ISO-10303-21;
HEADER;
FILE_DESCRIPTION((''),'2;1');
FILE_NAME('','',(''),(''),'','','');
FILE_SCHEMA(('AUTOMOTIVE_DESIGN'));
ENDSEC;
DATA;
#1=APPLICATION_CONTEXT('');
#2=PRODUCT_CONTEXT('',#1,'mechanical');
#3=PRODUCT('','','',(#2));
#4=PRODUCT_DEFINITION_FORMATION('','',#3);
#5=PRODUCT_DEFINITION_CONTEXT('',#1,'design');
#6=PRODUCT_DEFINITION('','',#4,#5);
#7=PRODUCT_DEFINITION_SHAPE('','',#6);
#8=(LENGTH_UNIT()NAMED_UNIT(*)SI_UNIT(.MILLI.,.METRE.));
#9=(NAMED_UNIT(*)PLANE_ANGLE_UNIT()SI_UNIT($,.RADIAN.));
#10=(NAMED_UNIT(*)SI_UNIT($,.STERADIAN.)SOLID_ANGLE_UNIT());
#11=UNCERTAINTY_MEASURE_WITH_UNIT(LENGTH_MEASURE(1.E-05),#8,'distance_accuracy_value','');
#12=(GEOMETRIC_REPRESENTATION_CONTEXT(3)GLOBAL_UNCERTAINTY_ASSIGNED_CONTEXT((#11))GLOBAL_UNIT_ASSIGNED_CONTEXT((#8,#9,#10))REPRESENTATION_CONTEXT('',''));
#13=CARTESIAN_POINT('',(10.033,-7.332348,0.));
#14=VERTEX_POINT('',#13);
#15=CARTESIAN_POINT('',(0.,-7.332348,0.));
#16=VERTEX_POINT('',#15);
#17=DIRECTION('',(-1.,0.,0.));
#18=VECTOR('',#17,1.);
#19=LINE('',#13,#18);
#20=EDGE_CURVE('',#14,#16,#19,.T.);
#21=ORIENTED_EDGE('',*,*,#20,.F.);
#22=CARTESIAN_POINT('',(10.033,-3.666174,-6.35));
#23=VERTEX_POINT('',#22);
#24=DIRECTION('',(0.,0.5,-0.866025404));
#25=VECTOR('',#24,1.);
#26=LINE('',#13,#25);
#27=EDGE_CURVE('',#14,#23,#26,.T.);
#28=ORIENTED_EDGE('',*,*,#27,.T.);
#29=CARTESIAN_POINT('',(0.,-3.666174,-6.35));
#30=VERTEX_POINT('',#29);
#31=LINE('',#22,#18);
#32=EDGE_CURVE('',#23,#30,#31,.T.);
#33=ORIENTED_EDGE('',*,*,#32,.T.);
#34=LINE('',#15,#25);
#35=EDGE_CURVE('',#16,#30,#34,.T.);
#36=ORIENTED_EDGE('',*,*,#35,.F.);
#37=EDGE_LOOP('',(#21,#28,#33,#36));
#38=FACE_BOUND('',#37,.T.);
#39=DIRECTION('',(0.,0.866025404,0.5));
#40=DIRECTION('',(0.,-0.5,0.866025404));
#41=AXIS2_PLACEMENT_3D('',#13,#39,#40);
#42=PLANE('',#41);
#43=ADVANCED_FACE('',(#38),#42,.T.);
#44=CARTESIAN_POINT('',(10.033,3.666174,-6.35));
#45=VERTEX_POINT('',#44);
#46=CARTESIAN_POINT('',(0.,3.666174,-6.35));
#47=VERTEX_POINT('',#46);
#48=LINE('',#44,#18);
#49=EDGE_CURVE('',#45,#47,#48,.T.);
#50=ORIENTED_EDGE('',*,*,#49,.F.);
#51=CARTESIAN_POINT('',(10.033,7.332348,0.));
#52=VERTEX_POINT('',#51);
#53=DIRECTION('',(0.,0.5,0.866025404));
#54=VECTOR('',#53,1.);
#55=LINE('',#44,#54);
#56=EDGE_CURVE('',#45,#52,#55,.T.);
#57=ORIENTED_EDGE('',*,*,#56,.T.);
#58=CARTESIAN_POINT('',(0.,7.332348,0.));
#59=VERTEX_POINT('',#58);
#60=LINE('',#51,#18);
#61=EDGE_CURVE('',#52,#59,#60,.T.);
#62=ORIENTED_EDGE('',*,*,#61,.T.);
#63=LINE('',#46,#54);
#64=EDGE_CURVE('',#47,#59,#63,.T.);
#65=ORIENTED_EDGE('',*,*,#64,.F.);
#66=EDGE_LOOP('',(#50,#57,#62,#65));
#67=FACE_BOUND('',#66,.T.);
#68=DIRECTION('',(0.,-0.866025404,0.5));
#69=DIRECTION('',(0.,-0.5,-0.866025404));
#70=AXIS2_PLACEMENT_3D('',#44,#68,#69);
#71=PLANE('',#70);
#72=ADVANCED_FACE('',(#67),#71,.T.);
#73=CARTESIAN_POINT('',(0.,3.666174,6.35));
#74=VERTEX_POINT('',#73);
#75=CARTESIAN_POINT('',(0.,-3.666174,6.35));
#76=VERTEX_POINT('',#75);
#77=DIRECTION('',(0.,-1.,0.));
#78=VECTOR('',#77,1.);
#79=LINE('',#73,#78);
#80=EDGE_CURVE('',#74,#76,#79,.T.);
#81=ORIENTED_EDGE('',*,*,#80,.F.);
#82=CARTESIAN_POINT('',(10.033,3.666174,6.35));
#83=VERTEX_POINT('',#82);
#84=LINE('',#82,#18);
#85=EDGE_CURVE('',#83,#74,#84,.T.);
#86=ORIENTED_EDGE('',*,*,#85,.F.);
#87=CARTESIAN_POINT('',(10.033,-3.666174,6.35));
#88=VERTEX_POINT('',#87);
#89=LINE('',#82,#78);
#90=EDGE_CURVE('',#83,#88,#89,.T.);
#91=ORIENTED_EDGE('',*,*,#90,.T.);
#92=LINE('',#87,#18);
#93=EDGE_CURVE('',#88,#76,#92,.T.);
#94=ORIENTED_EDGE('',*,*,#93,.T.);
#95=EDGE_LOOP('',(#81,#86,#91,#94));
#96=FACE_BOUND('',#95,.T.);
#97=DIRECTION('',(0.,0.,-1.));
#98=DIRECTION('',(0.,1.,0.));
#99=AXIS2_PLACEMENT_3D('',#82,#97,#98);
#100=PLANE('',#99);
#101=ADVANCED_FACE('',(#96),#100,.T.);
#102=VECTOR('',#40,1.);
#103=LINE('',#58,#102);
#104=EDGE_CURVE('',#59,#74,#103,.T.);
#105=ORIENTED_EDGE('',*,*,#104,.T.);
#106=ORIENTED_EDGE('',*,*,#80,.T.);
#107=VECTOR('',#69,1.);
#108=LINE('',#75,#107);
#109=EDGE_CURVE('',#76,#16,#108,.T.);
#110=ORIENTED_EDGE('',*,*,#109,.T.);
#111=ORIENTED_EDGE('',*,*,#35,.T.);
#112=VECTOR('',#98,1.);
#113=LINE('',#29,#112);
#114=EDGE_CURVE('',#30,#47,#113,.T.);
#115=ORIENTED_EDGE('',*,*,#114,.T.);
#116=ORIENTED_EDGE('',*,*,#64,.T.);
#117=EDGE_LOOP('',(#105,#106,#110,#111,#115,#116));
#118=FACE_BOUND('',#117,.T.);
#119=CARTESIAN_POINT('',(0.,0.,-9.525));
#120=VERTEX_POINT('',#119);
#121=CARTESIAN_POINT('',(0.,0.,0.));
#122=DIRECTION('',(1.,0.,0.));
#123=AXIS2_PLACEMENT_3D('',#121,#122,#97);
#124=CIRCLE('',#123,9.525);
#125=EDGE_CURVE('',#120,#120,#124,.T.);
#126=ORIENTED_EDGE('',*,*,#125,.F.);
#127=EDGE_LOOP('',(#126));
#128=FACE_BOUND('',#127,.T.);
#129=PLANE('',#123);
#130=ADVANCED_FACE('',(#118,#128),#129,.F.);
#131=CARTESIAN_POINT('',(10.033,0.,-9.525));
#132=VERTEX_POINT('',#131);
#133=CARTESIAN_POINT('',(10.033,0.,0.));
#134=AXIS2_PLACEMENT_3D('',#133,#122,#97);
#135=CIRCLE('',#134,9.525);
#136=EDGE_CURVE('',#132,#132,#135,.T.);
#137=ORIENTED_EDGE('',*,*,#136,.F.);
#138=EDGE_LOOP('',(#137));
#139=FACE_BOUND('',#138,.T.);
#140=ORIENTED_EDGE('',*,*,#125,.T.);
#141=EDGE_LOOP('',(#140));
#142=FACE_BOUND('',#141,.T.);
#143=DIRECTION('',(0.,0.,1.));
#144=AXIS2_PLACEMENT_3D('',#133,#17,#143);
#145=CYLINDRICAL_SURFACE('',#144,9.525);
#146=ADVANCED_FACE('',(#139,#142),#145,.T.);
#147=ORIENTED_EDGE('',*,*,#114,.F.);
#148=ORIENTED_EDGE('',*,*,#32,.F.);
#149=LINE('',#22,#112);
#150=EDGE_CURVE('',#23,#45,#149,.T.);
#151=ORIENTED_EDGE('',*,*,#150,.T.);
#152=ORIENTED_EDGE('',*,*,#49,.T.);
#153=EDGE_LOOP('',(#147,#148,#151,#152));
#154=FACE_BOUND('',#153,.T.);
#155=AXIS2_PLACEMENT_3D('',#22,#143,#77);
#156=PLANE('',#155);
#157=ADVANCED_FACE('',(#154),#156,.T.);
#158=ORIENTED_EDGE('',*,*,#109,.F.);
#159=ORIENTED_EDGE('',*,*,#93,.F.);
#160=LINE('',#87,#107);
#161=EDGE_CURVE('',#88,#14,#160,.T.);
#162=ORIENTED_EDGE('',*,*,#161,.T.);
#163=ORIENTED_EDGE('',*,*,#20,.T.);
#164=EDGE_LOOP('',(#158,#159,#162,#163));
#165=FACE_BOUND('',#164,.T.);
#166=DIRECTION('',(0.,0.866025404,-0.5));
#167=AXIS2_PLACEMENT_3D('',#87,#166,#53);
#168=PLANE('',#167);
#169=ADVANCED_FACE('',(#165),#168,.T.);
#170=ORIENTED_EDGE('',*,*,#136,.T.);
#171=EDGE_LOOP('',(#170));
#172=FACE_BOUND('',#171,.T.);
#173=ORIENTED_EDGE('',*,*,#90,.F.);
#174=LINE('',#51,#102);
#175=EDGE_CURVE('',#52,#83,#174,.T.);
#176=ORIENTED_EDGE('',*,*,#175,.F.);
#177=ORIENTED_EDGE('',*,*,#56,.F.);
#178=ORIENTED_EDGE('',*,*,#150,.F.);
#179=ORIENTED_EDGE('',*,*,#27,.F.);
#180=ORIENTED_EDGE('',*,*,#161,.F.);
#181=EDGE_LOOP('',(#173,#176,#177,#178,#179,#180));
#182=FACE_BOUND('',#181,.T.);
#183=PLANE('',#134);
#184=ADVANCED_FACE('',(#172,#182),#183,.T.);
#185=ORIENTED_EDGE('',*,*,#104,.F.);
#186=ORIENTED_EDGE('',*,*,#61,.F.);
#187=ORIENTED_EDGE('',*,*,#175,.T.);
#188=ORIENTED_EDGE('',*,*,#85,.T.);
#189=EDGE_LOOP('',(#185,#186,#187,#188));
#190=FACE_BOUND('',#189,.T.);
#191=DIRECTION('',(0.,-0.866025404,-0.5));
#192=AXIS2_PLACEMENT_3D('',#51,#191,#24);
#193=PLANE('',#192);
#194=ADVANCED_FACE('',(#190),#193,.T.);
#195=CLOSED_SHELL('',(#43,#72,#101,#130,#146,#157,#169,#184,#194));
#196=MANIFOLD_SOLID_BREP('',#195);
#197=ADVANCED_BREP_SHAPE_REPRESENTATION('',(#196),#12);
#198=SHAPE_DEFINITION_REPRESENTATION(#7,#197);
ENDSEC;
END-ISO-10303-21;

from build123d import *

# Parameters (mm, degrees)
SKETCH1_R           = 9.525
BOSS_EXTRUDE1_DEPTH = 10.033


with BuildPart() as part:
    # Sketch1 → Boss-Extrude1 (new body)
    with BuildSketch(Plane(origin=(0, 0, 0), x_dir=(0, 0, -1), z_dir=(1, 0, 0))):
        Circle(SKETCH1_R)
        Polygon((0, 7.332348419), (-6.35, 3.666174209), (-6.35, -3.666174209), (0, -7.332348419), (6.35, -3.666174209), (6.35, 3.666174209), align=None, mode=Mode.SUBTRACT)
    extrude(amount=BOSS_EXTRUDE1_DEPTH)


solid = part.part
